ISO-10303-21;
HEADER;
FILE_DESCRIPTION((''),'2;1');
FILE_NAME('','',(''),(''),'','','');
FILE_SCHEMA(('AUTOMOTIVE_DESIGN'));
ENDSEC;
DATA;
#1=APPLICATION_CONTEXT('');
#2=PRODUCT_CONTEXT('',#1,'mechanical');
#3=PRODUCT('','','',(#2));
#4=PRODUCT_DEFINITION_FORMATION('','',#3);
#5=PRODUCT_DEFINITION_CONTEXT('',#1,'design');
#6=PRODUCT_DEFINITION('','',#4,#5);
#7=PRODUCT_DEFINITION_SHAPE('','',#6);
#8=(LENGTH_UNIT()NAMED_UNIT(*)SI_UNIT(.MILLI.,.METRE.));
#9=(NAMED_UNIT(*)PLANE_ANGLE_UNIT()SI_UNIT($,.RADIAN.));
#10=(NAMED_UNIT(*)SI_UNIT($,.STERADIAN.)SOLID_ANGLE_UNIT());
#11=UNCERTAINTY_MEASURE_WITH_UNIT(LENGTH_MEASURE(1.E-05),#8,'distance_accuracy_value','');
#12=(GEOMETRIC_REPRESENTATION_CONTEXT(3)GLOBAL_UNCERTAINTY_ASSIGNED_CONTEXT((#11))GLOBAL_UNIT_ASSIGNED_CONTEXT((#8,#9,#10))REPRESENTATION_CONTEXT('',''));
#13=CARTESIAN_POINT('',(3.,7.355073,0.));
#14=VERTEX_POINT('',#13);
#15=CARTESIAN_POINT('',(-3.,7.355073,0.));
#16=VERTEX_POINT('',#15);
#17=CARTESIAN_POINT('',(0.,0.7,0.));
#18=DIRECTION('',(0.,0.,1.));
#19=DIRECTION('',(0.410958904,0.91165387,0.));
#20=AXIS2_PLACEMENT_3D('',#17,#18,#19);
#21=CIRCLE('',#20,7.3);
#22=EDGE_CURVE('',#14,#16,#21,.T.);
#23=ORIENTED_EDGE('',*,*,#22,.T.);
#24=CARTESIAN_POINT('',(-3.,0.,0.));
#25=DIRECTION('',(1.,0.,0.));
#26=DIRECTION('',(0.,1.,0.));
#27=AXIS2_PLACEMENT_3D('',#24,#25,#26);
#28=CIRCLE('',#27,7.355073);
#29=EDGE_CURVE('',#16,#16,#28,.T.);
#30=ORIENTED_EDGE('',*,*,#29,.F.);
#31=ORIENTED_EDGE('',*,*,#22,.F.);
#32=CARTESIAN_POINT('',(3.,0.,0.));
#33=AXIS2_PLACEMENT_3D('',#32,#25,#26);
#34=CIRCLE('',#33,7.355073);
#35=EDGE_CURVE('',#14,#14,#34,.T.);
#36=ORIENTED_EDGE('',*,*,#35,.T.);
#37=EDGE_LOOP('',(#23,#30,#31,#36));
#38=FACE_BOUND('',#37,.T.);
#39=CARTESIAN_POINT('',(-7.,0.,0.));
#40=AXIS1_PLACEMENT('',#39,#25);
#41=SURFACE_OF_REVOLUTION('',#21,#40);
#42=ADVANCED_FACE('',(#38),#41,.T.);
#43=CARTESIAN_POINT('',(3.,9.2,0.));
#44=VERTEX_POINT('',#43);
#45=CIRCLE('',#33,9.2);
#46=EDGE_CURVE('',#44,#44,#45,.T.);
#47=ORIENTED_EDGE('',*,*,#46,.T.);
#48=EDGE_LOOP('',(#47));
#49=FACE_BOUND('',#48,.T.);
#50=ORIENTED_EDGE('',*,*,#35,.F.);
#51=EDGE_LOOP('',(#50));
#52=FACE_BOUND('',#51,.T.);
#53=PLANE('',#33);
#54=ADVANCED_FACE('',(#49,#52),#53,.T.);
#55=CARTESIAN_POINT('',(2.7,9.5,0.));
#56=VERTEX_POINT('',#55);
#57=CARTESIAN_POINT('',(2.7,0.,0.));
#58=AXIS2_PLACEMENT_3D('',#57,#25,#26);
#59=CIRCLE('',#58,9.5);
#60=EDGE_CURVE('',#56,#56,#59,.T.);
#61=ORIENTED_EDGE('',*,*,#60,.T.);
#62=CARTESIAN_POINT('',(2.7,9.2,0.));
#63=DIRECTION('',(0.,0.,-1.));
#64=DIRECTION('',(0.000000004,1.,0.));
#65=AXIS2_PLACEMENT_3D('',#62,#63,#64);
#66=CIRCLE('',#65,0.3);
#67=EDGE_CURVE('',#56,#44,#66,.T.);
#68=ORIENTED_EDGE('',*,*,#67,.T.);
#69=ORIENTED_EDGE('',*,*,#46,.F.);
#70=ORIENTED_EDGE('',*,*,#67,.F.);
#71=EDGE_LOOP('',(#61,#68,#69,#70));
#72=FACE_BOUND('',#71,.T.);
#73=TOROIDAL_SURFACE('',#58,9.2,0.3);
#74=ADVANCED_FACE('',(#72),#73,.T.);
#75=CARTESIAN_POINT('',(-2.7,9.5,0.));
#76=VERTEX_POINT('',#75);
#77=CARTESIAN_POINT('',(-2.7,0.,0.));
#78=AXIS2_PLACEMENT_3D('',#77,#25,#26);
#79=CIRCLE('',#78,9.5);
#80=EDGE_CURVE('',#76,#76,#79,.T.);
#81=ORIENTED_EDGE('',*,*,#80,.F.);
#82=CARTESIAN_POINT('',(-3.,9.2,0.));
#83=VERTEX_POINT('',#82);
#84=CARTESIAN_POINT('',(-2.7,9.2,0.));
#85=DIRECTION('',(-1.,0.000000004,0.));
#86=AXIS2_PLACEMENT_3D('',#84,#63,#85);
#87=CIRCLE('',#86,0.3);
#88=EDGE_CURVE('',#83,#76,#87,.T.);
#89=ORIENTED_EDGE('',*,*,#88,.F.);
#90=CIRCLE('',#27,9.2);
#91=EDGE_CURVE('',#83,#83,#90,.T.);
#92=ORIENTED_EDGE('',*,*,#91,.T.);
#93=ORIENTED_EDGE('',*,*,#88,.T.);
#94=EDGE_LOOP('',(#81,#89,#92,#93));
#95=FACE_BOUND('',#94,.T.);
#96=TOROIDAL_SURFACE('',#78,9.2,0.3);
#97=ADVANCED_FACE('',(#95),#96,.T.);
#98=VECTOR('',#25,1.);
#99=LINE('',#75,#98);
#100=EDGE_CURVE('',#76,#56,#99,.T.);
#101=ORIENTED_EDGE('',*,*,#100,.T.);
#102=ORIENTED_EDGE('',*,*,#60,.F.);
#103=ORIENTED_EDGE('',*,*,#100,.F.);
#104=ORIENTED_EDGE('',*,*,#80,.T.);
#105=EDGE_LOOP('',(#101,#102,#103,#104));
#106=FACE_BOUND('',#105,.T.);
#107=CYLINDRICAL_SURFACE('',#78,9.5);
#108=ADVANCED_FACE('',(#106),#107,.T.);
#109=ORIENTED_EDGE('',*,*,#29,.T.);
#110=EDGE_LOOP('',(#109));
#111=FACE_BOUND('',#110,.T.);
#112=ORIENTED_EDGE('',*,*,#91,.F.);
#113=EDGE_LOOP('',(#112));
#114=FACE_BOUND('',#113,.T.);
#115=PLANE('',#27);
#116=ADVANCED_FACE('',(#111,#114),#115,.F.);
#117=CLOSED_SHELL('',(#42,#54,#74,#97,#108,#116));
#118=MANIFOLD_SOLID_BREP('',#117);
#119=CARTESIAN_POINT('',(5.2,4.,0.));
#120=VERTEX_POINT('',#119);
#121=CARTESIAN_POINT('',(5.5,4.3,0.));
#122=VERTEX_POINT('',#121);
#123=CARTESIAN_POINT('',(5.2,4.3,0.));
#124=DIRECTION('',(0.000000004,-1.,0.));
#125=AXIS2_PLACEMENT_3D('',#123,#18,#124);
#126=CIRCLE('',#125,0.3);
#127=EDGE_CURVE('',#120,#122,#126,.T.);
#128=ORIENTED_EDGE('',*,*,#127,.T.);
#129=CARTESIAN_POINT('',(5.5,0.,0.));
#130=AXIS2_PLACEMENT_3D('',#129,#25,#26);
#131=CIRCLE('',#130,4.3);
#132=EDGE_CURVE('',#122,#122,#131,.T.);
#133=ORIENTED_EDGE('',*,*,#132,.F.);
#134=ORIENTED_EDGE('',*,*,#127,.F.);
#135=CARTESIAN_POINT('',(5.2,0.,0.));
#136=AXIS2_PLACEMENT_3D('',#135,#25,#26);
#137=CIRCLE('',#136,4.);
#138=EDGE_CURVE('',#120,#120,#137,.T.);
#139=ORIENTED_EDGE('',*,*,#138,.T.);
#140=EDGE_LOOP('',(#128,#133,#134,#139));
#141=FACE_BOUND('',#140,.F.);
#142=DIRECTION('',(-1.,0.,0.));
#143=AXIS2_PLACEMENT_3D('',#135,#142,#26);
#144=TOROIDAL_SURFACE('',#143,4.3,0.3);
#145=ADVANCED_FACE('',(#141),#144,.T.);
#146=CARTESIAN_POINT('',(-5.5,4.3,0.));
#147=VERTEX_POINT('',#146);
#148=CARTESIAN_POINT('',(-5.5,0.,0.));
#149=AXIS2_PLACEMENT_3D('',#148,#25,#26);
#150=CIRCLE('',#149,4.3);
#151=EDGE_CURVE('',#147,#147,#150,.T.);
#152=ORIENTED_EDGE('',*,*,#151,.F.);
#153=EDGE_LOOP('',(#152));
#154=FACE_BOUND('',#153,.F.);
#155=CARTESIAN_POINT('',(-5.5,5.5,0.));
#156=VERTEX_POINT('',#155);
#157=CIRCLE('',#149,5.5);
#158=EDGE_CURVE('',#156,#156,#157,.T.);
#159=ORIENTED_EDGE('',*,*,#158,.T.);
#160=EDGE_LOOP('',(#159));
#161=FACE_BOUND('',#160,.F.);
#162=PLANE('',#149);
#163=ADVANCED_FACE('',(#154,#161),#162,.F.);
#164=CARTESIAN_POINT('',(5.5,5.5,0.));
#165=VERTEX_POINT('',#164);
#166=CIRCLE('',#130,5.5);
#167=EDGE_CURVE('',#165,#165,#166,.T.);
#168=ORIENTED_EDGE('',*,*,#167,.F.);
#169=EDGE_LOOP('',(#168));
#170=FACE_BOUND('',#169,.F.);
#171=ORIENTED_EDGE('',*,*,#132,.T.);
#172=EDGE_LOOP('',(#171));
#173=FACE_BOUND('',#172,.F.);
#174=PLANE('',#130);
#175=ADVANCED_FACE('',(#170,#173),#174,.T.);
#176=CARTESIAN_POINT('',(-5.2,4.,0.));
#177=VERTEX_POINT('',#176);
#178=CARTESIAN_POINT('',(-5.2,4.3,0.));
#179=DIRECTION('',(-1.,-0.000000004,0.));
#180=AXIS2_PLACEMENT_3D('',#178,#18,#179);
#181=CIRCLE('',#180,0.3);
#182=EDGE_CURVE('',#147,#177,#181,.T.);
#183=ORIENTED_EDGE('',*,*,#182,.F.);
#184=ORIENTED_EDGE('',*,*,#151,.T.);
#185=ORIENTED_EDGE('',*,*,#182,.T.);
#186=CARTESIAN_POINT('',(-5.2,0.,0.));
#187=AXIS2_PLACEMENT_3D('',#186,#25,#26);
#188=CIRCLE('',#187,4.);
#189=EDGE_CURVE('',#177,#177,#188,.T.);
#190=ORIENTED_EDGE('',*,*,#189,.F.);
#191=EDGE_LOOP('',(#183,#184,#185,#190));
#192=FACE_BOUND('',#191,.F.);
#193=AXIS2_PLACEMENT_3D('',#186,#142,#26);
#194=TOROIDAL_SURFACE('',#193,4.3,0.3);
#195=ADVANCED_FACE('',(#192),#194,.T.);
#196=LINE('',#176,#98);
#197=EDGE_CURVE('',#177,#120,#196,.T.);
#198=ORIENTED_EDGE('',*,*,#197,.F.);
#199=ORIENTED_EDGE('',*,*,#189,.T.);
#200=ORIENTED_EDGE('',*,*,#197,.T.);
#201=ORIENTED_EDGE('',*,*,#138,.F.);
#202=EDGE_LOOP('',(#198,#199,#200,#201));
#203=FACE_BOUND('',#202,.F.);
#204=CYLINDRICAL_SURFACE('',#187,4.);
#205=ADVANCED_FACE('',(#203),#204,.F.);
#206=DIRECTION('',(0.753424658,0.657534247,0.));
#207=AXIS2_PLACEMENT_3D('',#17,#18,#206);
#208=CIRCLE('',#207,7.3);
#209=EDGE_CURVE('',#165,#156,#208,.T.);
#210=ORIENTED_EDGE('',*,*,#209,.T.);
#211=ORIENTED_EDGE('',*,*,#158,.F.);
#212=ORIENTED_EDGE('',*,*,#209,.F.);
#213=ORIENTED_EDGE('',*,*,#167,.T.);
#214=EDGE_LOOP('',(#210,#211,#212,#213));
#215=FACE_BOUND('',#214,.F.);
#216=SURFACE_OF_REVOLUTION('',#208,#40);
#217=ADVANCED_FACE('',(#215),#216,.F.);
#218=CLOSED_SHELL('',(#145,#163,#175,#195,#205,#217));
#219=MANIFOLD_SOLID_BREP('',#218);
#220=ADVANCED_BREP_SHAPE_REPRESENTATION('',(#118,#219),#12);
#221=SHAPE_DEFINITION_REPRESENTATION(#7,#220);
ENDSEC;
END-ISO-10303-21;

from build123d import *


with BuildPart() as part:
    # 草图2 → 旋转1 (revolve)
    with BuildSketch(Plane.XY):
        with BuildLine():
            Line((-3, 7.355073253), (-3, 9.2))
            ThreePointArc((-3, 9.2), (-2.912132034, 9.412132034), (-2.7, 9.5))
            Line((-2.7, 9.5), (2.7, 9.5))
            ThreePointArc((2.7, 9.5), (2.912132034, 9.412132034), (3, 9.2))
            Line((3, 9.2), (3, 7.355073253))
            ThreePointArc((3, 7.355073253), (0, 8), (-3, 7.355073253))
        make_face()
    revolve(axis=Axis((-7, 0, 0), (1, 0, 0)))


with BuildPart() as body_2:
    # 草图3 → 旋转2 (revolve)
    with BuildSketch(Plane.XY):
        with BuildLine():
            Line((-5.5, 5.5), (-5.5, 4.3))
            ThreePointArc((-5.5, 4.3), (-5.412132034, 4.087867966), (-5.2, 4))
            Line((-5.2, 4), (5.2, 4))
            ThreePointArc((5.2, 4), (5.412132034, 4.087867966), (5.5, 4.3))
            Line((5.5, 4.3), (5.5, 5.5))
            ThreePointArc((5.5, 5.5), (0, 8), (-5.5, 5.5))
        make_face()
    revolve(axis=Axis((-7, 0, 0), (1, 0, 0)))


solid = Compound([part.part, body_2.part])
